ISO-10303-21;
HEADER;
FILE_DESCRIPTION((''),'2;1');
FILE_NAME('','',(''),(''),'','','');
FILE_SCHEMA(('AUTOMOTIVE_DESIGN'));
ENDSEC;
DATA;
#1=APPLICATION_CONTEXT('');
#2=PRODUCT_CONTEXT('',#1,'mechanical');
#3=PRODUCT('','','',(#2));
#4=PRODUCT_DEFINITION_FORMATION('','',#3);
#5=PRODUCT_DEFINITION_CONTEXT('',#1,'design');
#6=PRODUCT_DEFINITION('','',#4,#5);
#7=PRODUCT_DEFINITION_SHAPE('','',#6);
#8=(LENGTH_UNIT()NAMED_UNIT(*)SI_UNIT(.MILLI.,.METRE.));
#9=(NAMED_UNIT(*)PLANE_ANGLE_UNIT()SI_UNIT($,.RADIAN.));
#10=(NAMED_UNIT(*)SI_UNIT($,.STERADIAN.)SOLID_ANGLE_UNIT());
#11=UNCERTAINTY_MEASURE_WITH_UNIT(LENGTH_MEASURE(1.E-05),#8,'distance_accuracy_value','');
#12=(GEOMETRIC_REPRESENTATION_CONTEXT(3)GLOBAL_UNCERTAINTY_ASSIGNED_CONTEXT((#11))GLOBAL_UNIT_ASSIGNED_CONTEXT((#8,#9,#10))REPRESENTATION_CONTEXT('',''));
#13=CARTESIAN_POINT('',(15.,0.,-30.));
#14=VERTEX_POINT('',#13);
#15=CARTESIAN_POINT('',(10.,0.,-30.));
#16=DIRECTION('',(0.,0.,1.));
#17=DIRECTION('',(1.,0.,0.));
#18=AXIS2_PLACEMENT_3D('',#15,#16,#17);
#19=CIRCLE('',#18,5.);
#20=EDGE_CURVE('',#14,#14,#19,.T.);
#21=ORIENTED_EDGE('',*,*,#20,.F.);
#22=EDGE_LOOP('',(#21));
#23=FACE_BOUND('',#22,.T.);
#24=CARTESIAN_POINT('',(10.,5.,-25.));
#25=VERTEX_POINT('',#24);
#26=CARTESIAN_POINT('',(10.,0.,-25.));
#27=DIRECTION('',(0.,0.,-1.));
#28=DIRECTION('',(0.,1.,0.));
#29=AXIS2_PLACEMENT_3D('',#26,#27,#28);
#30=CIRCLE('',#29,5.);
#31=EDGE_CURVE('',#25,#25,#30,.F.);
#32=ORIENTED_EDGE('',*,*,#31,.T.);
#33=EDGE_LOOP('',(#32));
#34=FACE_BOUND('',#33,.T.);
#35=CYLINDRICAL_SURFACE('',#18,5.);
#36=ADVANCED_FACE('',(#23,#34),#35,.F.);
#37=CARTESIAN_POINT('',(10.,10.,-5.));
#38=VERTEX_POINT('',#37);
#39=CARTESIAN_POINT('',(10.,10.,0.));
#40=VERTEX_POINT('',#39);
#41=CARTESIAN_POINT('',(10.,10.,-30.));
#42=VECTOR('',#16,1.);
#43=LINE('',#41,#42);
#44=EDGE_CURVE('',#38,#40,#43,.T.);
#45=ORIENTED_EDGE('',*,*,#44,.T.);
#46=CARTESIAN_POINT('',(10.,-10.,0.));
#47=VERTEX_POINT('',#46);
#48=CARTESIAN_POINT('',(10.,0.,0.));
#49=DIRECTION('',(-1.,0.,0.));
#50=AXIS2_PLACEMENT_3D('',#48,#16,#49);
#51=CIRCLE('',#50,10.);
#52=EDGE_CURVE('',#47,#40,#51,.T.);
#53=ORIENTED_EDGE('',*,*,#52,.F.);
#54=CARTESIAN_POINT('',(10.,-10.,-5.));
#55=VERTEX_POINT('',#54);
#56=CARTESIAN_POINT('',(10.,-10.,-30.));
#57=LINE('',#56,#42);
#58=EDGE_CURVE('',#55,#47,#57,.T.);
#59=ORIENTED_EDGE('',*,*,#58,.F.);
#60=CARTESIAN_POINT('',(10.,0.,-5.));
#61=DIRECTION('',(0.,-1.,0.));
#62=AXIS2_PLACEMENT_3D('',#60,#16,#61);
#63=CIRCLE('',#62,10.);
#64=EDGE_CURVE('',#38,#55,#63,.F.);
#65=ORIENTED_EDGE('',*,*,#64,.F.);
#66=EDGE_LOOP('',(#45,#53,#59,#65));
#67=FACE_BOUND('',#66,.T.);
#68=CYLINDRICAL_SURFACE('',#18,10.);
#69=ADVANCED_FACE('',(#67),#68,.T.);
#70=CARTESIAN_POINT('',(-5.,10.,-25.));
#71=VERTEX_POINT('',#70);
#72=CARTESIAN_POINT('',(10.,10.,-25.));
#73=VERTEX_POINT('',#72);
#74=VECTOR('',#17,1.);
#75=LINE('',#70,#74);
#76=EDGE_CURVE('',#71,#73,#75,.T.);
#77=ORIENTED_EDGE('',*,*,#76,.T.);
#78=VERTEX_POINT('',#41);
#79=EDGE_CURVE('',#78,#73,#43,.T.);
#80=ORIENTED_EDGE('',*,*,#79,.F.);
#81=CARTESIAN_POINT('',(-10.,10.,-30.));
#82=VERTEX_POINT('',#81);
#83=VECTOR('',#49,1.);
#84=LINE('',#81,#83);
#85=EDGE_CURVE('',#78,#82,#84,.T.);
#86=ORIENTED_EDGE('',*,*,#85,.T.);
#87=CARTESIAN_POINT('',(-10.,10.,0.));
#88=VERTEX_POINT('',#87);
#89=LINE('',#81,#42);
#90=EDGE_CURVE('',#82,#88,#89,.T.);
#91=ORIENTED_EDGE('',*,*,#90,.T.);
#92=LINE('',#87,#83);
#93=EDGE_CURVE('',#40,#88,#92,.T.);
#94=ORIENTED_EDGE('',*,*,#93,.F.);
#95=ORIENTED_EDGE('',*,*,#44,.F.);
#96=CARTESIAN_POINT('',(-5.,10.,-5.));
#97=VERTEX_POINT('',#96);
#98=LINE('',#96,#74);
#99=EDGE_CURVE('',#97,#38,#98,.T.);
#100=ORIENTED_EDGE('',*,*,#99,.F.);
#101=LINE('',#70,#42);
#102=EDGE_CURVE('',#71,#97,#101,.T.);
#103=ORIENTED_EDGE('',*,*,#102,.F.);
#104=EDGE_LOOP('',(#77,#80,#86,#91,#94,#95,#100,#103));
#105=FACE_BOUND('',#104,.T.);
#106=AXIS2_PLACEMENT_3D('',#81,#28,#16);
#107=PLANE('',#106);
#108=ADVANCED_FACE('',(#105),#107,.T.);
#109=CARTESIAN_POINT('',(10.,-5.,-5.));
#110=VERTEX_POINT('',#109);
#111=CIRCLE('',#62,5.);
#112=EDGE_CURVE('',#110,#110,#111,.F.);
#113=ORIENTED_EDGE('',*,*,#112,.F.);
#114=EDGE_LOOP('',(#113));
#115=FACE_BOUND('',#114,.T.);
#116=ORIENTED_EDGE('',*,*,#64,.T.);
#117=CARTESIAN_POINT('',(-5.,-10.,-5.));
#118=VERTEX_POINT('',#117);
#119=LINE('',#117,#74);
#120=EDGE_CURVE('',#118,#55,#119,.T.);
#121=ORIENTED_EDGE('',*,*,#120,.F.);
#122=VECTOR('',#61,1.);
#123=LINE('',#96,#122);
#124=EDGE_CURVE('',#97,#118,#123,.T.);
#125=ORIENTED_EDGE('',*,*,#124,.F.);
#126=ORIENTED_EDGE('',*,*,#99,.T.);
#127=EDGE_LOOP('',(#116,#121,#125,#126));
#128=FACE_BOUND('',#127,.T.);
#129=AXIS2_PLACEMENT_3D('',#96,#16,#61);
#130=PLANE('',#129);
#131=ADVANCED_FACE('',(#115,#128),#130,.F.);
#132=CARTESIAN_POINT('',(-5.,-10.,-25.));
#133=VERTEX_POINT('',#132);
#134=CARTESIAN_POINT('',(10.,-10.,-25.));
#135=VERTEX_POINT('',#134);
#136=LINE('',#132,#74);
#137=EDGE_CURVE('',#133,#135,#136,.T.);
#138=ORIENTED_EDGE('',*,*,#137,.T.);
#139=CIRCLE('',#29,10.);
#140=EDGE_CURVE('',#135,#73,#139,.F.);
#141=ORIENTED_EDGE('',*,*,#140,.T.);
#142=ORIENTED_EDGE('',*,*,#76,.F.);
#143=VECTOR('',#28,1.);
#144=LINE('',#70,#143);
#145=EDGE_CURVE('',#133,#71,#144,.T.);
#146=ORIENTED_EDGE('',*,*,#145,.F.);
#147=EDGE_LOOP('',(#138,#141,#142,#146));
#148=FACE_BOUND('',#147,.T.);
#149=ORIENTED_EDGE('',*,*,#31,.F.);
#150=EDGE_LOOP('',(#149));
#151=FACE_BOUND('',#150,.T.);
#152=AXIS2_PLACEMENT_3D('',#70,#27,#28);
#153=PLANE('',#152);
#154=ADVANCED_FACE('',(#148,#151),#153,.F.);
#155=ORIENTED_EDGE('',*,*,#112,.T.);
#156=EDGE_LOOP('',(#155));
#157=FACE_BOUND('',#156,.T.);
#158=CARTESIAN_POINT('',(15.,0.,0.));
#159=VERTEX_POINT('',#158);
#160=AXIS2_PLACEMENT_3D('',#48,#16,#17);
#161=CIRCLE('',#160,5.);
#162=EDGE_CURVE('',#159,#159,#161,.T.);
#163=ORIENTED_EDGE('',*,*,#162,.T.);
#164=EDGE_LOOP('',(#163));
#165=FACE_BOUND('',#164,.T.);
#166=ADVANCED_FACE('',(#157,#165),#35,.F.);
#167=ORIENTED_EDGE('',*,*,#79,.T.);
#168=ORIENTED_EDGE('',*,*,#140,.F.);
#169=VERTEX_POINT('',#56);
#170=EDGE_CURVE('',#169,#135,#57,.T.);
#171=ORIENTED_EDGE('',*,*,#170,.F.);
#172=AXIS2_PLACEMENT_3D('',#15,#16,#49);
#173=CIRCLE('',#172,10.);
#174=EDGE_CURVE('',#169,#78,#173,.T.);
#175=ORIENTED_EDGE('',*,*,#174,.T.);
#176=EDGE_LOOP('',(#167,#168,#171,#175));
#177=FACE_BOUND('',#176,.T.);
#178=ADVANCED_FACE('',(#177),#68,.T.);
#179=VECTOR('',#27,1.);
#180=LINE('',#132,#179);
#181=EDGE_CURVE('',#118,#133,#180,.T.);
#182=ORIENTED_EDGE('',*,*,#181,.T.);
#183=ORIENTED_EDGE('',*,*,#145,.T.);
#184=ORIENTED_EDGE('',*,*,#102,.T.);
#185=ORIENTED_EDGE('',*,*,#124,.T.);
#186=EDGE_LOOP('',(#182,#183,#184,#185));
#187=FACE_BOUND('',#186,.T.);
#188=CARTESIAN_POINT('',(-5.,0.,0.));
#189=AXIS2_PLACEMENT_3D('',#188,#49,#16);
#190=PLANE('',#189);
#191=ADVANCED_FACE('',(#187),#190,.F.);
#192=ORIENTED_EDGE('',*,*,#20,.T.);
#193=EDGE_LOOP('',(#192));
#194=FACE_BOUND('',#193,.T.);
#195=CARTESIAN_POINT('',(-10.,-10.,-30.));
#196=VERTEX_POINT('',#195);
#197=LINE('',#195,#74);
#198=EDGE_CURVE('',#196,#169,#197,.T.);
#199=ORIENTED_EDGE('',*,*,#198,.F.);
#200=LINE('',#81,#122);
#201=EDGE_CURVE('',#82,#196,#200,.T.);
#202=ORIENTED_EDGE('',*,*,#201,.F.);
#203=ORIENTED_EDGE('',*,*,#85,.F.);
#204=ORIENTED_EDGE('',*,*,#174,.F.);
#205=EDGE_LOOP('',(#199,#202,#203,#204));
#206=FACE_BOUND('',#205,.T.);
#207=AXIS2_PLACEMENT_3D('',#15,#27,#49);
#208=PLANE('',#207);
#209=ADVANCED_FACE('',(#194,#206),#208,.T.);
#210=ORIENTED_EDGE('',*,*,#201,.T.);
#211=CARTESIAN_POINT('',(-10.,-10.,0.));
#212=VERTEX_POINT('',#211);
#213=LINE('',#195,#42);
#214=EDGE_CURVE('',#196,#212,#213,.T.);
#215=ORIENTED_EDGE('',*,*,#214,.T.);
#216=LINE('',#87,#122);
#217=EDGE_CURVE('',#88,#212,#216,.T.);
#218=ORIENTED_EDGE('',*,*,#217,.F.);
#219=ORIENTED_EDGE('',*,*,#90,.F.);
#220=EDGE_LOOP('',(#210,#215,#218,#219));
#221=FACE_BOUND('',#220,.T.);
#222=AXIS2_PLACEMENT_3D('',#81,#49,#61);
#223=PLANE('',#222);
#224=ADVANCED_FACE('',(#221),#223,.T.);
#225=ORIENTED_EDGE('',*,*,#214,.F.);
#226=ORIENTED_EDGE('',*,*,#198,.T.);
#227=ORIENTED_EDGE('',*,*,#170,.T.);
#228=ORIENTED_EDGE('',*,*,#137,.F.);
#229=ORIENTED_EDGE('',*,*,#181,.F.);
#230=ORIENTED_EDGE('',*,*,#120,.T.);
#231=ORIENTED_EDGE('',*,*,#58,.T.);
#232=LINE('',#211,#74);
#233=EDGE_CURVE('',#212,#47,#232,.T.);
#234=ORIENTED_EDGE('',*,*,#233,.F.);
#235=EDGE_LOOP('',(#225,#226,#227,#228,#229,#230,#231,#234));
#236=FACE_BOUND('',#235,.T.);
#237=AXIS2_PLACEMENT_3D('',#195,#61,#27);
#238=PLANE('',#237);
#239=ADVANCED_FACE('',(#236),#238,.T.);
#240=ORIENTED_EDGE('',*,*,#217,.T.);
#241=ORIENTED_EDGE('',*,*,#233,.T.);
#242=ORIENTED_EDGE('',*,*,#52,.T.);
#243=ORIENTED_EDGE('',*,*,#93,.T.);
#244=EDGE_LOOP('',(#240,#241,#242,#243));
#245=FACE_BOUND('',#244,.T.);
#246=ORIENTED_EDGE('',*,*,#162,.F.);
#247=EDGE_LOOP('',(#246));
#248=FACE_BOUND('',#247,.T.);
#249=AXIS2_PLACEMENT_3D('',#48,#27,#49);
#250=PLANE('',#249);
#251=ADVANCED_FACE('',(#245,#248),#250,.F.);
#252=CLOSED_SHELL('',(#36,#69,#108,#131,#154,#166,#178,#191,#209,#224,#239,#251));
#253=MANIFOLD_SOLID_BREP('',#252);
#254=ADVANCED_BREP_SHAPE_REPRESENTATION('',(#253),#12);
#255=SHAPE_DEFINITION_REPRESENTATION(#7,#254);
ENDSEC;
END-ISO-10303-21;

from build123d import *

# Parameters (mm, degrees)
SKETCH1_R           = 5
BOSS_EXTRUDE1_DEPTH = 30
SKETCH2_W           = 20
SKETCH2_H           = 20
CUT_EXTRUDE1_DEPTH  = 25


with BuildPart() as part:
    # Sketch1 → Boss-Extrude1 (new body)
    with BuildSketch(Plane.XY):
        with BuildLine():
            Line((-10, 10), (10, 10))
            ThreePointArc((10, 10), (20, 0), (10, -10))
            Line((10, -10), (-10, -10))
            Line((-10, -10), (-10, 10))
        make_face()
        with Locations((10, 0)):
            Circle(SKETCH1_R, mode=Mode.SUBTRACT)
    extrude(amount=-BOSS_EXTRUDE1_DEPTH)

    # Sketch2 → Cut-Extrude1 (cut)
    with BuildSketch(Plane(origin=(20, 0, 0), x_dir=(0, 0, -1), z_dir=(1, 0, 0))):
        with Locations((15, 0)):
            Rectangle(SKETCH2_W, SKETCH2_H)
    extrude(amount=-CUT_EXTRUDE1_DEPTH, mode=Mode.SUBTRACT)


solid = part.part
